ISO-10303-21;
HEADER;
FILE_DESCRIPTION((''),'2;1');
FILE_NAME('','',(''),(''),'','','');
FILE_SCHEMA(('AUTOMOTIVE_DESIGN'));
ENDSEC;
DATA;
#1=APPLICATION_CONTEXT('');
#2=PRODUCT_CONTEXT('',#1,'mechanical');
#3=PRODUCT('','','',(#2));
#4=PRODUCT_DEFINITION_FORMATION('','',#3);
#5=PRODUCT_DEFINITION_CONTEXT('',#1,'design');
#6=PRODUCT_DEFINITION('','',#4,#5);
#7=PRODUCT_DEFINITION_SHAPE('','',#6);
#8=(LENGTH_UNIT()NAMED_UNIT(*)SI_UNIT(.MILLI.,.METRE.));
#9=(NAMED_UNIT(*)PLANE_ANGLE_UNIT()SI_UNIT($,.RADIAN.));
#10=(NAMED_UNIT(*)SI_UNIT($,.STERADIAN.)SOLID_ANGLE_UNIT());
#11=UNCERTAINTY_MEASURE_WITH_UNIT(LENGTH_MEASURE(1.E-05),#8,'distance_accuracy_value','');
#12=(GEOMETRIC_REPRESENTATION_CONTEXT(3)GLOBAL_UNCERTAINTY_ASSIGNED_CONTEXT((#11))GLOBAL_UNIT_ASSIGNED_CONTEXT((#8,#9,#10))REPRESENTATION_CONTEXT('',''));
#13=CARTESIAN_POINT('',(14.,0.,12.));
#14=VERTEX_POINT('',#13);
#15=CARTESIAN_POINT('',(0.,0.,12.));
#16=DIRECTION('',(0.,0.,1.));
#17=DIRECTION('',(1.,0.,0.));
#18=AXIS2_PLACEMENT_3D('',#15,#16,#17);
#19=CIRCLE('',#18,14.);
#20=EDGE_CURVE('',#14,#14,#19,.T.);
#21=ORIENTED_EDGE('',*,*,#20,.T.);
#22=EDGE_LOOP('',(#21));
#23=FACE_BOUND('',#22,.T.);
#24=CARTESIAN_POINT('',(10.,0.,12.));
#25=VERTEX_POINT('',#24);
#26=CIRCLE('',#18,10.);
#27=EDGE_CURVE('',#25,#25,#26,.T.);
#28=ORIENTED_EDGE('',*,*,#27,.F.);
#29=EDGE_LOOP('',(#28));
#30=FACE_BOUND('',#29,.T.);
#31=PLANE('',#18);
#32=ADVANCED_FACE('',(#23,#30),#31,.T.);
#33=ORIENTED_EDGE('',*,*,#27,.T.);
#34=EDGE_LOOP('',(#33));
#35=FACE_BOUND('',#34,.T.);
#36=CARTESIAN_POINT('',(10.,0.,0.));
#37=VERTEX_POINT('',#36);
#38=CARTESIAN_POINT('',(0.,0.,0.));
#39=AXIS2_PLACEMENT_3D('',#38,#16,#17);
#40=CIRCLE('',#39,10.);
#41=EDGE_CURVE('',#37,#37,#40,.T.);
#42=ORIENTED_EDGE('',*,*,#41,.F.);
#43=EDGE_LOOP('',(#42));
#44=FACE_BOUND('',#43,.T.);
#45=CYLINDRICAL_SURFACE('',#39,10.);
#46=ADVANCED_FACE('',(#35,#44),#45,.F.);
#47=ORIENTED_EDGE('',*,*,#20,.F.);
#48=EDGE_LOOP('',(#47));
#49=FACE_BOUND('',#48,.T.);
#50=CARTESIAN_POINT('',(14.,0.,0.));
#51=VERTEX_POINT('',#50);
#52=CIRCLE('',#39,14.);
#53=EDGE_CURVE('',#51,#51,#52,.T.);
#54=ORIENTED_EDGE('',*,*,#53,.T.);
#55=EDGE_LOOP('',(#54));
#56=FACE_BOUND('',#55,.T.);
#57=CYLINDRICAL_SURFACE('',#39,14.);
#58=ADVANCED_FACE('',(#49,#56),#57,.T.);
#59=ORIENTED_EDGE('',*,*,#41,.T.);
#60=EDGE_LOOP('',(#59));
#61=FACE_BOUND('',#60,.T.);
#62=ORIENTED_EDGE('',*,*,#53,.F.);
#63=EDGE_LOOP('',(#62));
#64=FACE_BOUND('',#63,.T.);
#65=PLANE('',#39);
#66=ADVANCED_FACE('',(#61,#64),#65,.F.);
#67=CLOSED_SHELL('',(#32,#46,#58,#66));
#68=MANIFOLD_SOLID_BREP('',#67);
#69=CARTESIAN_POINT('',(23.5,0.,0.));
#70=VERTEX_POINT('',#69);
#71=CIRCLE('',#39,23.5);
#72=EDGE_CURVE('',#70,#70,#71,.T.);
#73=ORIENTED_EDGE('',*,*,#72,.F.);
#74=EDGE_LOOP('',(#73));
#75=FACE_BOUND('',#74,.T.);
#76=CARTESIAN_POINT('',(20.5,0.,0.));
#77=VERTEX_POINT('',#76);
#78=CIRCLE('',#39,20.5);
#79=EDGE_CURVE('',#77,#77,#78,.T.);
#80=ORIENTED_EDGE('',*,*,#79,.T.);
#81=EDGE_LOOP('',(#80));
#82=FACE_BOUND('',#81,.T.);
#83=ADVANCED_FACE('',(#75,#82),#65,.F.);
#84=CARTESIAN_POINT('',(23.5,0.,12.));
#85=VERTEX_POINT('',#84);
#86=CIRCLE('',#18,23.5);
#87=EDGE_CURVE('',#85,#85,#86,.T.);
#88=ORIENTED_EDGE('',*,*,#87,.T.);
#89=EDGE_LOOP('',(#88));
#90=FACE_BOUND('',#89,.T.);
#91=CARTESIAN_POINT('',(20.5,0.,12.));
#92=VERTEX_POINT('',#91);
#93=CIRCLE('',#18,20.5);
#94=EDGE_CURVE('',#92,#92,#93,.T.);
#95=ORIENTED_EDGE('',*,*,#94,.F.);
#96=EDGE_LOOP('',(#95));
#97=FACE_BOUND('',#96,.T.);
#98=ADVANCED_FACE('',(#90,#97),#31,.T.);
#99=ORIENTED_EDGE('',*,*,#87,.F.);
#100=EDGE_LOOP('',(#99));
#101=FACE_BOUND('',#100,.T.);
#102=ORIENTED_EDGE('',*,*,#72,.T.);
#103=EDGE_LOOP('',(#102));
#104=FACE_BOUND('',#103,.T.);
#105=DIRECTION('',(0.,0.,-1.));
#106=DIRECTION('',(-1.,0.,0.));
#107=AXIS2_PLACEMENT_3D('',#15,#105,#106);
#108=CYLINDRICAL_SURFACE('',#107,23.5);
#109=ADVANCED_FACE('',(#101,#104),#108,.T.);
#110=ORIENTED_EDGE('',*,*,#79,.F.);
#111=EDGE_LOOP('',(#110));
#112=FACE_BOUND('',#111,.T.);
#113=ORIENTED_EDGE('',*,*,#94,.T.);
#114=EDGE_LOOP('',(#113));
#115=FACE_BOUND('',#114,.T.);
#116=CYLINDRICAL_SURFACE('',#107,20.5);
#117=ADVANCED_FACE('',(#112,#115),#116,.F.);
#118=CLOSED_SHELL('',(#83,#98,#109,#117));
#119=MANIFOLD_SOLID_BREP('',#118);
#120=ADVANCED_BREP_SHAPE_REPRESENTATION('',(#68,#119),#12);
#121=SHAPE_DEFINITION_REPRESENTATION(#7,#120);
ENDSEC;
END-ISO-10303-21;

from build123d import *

# Parameters (mm, degrees)
SKETCH1_R           = 23.5
SKETCH1_R_2         = 20.5
BOSS_EXTRUDE1_DEPTH = 12
SKETCH2_R           = 14
SKETCH2_R_2         = 10
BOSS_EXTRUDE2_DEPTH = 12


with BuildPart() as part:
    # Sketch1 → Boss-Extrude1 (new body)
    with BuildSketch(Plane.XY):
        Circle(SKETCH1_R)
        Circle(SKETCH1_R_2, mode=Mode.SUBTRACT)
    extrude(amount=BOSS_EXTRUDE1_DEPTH)


with BuildPart() as body_2:
    # Sketch2 → Boss-Extrude2 (new body)
    with BuildSketch(Plane.XY.offset(12)):
        Circle(SKETCH2_R)
        Circle(SKETCH2_R_2, mode=Mode.SUBTRACT)
    extrude(amount=-BOSS_EXTRUDE2_DEPTH)


solid = Compound([part.part, body_2.part])
